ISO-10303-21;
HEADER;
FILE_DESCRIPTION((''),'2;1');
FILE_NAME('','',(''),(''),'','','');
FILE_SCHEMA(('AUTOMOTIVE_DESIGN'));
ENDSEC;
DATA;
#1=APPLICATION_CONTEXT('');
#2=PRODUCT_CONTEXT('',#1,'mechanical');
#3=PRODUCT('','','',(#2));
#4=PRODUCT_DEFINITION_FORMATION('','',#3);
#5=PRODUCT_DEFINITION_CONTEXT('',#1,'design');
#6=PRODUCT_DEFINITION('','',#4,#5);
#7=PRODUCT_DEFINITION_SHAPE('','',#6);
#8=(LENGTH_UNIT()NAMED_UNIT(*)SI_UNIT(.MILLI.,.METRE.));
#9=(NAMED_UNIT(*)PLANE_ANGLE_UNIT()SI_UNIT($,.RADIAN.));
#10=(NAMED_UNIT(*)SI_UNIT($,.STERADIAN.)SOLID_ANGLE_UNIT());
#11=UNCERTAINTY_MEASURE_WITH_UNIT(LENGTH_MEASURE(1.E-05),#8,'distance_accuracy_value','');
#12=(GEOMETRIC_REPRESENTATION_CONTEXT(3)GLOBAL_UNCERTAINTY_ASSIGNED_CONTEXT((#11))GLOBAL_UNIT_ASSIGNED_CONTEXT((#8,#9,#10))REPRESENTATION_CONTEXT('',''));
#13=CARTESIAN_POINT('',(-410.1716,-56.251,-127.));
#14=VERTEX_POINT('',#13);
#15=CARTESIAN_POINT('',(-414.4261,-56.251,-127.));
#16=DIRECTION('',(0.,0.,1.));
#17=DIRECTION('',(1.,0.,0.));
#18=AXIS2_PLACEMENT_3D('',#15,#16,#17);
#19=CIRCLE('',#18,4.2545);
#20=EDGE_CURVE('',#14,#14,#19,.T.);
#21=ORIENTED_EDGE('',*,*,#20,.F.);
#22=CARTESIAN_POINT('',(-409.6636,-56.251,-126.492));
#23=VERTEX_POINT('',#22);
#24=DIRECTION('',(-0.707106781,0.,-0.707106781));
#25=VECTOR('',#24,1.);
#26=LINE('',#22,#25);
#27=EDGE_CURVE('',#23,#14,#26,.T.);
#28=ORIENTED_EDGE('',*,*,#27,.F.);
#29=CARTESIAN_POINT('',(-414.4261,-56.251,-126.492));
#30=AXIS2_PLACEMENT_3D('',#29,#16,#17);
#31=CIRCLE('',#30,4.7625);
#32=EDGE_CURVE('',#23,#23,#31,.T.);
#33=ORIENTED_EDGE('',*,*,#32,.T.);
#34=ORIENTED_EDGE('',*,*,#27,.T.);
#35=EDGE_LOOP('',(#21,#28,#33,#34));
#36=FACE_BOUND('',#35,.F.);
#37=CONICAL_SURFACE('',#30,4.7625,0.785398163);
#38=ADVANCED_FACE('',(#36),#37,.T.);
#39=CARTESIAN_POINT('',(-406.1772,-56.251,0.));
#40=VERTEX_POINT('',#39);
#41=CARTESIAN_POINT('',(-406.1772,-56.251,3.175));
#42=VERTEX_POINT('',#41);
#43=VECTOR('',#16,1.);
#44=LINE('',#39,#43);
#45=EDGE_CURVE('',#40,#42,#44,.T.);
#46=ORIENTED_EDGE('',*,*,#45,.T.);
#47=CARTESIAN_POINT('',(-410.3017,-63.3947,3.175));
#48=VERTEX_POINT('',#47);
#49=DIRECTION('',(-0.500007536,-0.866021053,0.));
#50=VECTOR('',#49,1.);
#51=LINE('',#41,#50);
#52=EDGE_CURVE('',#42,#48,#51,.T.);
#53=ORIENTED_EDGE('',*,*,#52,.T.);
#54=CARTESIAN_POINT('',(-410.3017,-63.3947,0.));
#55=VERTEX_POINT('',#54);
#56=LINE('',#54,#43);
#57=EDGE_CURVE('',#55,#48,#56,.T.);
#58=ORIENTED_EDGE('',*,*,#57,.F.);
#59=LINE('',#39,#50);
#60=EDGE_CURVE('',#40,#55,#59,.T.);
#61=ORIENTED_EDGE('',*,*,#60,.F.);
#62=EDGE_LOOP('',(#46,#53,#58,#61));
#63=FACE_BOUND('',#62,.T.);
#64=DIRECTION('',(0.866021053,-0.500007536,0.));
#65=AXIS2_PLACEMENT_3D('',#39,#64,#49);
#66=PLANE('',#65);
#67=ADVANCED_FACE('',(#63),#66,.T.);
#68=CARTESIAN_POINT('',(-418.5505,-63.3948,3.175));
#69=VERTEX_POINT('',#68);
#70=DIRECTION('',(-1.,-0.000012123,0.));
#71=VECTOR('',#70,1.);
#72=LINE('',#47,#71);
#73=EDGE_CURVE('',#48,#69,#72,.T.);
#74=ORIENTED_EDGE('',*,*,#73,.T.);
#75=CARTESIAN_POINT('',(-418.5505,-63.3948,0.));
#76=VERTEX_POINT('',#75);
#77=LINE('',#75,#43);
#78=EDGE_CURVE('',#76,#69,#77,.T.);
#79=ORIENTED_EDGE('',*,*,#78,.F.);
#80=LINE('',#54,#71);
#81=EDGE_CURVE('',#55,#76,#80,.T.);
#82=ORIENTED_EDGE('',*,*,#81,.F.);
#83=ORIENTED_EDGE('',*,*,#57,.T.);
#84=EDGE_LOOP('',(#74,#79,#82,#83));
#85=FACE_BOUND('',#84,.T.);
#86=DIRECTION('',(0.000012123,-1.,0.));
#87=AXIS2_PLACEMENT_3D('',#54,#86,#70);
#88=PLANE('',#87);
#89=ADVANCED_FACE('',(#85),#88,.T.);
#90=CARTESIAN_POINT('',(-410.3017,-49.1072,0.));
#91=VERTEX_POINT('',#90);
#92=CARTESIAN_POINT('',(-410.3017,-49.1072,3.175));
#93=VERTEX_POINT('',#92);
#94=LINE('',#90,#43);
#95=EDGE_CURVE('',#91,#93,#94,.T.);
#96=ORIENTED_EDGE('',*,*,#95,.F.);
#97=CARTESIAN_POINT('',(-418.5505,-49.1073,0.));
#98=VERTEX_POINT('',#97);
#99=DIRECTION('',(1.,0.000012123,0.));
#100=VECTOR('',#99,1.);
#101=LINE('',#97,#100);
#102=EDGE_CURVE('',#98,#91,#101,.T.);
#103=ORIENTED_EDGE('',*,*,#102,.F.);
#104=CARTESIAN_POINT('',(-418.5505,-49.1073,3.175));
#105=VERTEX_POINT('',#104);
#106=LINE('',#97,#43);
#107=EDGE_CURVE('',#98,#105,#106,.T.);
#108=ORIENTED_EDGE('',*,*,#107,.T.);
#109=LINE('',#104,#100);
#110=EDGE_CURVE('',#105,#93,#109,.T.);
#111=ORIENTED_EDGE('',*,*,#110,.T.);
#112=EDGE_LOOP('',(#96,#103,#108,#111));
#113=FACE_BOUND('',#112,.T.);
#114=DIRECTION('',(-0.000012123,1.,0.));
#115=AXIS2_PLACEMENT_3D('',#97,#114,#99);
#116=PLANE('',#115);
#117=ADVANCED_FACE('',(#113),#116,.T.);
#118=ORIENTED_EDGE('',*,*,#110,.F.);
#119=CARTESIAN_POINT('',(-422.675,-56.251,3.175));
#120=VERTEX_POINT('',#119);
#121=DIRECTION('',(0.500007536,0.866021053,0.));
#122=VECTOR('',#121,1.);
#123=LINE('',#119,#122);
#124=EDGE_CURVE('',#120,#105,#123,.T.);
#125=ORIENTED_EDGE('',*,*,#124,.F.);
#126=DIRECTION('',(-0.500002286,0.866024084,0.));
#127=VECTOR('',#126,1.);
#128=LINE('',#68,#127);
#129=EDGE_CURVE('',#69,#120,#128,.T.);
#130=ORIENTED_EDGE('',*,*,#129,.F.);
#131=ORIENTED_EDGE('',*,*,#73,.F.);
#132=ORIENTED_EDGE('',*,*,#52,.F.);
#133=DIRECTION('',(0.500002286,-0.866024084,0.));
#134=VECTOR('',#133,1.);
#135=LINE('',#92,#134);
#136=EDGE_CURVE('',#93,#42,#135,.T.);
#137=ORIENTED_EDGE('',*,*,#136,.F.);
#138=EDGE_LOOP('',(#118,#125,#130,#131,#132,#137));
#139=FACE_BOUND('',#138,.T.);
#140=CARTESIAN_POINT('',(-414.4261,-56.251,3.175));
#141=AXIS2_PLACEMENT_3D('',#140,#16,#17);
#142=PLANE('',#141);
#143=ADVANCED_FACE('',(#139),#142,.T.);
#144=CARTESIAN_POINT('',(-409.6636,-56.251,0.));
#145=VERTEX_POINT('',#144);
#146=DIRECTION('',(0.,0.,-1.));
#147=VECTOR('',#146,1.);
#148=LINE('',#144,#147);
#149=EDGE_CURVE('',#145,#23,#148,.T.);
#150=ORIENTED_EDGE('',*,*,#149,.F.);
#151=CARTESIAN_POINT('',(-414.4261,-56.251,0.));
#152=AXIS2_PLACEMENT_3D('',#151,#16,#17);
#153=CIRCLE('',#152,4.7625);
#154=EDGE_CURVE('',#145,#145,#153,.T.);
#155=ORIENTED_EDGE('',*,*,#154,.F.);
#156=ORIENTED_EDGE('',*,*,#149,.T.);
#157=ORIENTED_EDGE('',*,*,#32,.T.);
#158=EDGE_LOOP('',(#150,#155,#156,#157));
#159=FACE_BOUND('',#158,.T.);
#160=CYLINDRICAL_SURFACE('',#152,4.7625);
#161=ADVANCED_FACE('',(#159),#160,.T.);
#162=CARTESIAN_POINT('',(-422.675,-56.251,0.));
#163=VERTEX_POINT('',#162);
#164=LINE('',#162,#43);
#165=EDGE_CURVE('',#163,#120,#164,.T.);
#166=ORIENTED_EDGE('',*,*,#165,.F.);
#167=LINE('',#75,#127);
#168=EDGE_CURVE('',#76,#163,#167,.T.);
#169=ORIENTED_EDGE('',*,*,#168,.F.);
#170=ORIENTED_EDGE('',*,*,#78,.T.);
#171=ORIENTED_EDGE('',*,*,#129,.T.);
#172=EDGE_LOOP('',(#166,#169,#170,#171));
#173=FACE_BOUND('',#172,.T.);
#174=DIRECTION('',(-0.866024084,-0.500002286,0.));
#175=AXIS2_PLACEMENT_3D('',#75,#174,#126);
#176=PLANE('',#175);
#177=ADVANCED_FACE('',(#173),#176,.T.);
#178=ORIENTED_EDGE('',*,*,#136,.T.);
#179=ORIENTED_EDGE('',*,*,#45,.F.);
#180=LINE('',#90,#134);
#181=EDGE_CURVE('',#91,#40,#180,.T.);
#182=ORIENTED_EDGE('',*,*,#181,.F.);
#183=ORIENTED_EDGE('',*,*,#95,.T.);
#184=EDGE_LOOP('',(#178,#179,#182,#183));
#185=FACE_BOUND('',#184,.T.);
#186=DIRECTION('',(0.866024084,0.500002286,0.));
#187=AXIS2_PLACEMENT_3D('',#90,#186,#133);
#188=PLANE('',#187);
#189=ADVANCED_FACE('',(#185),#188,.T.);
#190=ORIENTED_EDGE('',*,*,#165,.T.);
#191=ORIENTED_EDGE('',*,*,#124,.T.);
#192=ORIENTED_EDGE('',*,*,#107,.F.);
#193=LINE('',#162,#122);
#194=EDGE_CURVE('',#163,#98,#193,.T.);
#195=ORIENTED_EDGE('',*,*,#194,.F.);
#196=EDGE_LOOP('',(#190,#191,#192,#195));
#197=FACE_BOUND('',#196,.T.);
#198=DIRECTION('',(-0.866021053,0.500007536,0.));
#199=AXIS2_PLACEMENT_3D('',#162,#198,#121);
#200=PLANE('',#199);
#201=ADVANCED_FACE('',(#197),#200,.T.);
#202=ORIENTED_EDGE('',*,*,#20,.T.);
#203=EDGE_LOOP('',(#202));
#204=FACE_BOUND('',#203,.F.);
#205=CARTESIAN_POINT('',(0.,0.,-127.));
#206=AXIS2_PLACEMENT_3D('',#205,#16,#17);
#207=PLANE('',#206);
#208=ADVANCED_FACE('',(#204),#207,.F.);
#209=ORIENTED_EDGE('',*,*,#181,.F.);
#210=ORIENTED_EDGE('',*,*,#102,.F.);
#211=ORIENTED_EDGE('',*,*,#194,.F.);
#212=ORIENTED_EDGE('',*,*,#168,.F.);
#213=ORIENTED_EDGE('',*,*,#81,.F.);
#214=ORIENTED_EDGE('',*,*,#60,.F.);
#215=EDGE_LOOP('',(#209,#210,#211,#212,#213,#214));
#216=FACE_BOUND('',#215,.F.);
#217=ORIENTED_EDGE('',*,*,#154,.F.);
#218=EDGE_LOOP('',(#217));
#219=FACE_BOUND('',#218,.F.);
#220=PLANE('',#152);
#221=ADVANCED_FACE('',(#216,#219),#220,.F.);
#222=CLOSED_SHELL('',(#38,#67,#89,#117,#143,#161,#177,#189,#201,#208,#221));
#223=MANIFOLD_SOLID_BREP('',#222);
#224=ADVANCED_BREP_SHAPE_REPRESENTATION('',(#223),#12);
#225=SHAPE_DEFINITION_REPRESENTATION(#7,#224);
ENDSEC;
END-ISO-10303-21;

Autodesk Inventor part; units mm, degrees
ref_plane "YZ Plane" through (0, 0, 0) normal (1, 0, 0) x (0, 1, 0)
ref_plane "XZ Plane" through (0, 0, 0) normal (0, 1, 0) x (-1, 0, 0)
ref_plane "XY Plane" through (0, 0, 0) normal (0, 0, 1) x (1, 0, 0)
sketch "Sketch1" plane through (0, 0, 0) normal (0, 0, 1) x (1, 0, 0)
  circle A0 centre (-414.4261, -56.251) radius 4.7625
  point P0 (0, 0)
  dimension "d0" = 9.525
extrude "Extrusion1" add sketch "Sketch1" against normal blind 127
sketch "Sketch2" plane through (-414.4261, -56.251, 0) normal (0, 0, 1) x (1, 0, 0)
  circle A0 centre (0, 0) radius 4.7625 projected
  line L0 (-8.2489, 0) -> (-4.1244, 7.1437)
  line L1 (-4.1244, 7.1437) -> (4.1244, 7.1438)
  line L2 (4.1244, 7.1438) -> (8.2489, 0)
  line L3 (8.2489, 0) -> (4.1244, -7.1437)
  line L4 (4.1244, -7.1437) -> (-4.1244, -7.1438)
  line L5 (-4.1244, -7.1438) -> (-8.2489, 0)
  point P0 (414.4261, 56.251)
  dimension "d3" = 14.2875
extrude "Extrusion2" add sketch "Sketch2" along normal blind 3.175 contours A0 | L0 L1 L2 L3 L4 L5
thread "Thread1" size "3/8-16 UNC" class "2A" standard "ANSI Unified Screw Threads" length 25.4
chamfer "Chamfer1" distance 0.508 angle 45 1 edges at (-419.1886, -56.251, -127)
properties part number "375 bolt x4" material "Steel"
